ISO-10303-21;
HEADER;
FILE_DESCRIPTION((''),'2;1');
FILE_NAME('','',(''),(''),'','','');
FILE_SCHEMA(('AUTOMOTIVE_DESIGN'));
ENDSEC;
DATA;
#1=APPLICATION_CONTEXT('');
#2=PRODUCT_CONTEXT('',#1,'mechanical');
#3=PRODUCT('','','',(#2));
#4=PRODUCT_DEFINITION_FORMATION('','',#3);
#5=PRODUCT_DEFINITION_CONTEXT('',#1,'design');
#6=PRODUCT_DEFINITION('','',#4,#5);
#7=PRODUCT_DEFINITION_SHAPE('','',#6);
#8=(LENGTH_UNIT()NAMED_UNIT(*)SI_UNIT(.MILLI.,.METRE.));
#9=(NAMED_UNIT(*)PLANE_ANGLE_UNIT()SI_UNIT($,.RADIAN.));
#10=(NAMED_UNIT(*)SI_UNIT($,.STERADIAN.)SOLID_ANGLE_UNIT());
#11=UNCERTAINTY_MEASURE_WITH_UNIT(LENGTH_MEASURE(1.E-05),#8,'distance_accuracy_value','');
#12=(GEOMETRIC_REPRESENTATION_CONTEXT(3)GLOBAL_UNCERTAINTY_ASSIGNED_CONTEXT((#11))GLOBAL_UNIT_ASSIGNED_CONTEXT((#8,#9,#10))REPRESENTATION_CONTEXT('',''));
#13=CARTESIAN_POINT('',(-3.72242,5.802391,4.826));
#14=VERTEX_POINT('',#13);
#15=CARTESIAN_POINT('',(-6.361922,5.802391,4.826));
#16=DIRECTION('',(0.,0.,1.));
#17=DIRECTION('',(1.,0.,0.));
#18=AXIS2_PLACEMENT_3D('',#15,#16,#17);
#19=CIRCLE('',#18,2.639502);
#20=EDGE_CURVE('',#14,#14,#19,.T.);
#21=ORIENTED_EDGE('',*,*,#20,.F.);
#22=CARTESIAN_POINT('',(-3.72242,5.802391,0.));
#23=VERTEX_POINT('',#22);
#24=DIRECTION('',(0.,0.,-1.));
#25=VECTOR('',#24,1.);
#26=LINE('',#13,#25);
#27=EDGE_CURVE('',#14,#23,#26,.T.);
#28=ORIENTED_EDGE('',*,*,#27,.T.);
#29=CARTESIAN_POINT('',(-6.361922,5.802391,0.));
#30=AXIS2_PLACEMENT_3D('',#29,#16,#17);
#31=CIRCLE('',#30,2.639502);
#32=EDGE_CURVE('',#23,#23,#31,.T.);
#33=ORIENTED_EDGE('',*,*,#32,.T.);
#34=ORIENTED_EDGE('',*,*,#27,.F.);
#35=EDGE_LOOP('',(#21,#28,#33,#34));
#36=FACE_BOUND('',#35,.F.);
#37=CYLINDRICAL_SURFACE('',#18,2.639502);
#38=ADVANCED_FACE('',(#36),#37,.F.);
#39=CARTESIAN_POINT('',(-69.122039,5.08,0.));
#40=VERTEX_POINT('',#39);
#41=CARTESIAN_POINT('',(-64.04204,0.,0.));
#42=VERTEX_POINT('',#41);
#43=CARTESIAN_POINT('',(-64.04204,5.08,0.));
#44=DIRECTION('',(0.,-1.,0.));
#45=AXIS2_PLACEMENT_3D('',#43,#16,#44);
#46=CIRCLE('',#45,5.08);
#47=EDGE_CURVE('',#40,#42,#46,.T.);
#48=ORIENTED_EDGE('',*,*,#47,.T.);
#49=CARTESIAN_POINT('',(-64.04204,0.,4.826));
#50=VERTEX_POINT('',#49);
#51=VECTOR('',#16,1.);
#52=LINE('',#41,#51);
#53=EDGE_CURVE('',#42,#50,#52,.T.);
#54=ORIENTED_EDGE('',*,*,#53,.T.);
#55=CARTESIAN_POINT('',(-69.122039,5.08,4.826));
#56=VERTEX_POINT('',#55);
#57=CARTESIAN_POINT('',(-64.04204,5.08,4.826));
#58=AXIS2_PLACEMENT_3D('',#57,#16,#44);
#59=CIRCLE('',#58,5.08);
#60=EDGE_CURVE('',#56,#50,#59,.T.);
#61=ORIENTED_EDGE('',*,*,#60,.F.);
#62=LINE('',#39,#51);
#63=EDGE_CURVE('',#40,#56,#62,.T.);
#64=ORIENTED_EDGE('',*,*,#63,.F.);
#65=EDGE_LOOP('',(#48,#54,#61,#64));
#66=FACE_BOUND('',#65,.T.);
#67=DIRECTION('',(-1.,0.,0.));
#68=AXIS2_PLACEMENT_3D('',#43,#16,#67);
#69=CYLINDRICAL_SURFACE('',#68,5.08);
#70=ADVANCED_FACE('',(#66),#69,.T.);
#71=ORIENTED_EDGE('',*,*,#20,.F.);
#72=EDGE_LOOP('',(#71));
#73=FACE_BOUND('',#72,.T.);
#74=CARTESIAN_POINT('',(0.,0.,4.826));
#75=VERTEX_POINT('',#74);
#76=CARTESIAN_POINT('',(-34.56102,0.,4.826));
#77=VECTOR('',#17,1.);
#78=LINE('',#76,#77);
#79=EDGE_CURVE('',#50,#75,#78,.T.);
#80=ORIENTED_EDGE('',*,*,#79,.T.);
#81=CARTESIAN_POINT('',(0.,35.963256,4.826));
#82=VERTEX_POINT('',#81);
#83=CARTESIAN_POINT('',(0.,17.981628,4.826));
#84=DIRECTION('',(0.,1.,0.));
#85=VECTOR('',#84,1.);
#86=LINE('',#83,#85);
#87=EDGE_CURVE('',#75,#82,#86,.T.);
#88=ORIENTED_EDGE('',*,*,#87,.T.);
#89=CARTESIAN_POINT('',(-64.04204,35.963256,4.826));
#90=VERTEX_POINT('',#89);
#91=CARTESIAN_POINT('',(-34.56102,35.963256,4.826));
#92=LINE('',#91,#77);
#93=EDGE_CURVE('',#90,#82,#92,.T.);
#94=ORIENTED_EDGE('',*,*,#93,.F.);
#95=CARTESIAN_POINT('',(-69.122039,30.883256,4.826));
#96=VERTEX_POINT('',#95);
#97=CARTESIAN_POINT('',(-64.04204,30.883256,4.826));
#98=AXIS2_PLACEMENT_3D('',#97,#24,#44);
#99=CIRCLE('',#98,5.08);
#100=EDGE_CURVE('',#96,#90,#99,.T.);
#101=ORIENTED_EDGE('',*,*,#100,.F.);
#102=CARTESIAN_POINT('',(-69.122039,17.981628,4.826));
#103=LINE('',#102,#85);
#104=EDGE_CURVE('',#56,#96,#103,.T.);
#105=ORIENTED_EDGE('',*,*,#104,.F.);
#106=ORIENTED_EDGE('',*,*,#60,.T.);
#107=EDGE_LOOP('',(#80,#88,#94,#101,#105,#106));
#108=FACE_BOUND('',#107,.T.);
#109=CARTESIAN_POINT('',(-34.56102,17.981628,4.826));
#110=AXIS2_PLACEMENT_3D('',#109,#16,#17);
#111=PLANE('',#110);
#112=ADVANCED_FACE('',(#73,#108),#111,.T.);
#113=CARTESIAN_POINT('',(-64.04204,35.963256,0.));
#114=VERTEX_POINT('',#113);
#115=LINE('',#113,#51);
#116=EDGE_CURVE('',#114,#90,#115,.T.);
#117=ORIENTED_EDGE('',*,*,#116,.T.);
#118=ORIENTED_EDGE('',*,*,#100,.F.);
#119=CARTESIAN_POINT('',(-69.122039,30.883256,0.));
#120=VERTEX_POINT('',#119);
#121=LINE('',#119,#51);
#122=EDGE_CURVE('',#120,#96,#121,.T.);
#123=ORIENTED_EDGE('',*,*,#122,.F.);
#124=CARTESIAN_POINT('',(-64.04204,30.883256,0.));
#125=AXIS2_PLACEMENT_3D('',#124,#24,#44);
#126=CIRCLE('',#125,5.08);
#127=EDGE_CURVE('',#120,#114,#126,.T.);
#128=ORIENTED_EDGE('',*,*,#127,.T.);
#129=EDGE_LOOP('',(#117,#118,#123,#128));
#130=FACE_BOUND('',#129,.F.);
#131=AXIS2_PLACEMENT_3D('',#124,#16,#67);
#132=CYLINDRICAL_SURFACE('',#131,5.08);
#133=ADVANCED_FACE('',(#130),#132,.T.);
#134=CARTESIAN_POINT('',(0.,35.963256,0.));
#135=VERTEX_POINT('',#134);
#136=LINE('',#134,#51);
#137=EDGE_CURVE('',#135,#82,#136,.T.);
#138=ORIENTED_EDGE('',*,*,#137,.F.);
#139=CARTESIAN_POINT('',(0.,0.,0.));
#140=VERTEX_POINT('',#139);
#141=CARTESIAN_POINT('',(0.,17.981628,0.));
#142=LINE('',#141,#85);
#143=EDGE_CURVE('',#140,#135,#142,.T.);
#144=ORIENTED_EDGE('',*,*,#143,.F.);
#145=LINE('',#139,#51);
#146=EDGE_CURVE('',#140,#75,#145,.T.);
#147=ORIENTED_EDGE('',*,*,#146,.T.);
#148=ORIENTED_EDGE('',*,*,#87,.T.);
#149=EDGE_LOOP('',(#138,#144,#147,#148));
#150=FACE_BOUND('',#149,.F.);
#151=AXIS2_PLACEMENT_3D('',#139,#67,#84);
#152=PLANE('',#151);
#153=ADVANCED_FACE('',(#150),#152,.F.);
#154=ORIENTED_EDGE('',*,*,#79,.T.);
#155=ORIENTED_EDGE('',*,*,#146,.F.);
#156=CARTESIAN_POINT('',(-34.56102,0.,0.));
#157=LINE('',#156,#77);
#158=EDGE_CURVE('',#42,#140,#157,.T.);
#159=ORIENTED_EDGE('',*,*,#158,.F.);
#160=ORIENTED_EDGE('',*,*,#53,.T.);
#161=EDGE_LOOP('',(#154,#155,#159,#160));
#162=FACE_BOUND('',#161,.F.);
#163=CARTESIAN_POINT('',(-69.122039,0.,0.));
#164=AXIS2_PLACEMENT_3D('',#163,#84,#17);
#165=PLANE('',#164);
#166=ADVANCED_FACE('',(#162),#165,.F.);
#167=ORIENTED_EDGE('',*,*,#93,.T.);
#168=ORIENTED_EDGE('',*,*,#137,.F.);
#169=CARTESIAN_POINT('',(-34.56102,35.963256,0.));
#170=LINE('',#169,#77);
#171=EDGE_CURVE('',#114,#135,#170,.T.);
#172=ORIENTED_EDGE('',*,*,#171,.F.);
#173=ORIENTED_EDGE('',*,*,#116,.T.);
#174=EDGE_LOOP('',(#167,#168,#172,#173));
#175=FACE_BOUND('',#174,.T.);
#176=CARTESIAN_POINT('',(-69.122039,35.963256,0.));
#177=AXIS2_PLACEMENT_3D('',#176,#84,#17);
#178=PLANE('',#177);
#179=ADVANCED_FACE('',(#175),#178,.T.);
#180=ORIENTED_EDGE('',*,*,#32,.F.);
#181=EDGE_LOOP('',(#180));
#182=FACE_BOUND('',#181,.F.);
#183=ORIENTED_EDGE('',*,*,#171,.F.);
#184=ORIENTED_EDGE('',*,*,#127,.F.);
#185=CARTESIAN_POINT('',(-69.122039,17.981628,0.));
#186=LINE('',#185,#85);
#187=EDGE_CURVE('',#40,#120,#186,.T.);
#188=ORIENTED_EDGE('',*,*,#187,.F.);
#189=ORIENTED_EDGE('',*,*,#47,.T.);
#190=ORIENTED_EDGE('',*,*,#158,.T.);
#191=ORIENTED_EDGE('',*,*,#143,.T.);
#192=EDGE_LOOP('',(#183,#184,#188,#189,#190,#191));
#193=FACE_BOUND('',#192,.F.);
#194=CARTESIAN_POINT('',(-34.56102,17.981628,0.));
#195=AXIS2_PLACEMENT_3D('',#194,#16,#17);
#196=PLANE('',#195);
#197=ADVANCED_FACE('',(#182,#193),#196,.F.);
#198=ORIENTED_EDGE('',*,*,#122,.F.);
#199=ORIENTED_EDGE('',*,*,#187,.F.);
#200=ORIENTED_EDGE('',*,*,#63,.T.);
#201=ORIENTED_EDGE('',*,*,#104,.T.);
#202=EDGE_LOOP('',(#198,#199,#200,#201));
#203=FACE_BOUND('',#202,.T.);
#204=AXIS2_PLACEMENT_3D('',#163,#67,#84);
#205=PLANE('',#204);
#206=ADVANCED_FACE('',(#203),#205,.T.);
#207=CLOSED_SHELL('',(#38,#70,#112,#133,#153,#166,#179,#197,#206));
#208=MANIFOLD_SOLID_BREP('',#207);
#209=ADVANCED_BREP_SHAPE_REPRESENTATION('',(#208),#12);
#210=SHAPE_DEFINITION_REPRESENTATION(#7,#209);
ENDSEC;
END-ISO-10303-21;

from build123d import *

# Parameters (mm, degrees)
F0_W     = 69.122039
F0_H     = 35.963256
F1_DEPTH = 4.826
F2_R     = 5.08
F3_R     = 5.08
F4_R     = 2.639502
F5_DEPTH = 25.4


with BuildPart() as f1:
    # F0 (on Top) → F1 (new body)
    with BuildSketch(Plane.XY):
        with Locations((-34.56102, 17.981628)):
            Rectangle(F0_W, F0_H)
    extrude(amount=F1_DEPTH)

    # F2
    f2_edges = [f1.edges().sort_by_distance(p)[0] for p in [
        (-69.122039, 0, 2.413),
    ]]
    fillet(f2_edges, radius=F2_R)

    # F3
    f3_edges = [f1.edges().sort_by_distance(p)[0] for p in [
        (-69.122039, 35.963256, 2.413),
    ]]
    fillet(f3_edges, radius=F3_R)

    # F4 (on face) → F5 (cut)
    with BuildSketch(Plane.XY.offset(4.826)):
        with Locations((-6.361922, 5.802391)):
            Circle(F4_R)
    extrude(amount=-F5_DEPTH, mode=Mode.SUBTRACT)


solid = f1.part
